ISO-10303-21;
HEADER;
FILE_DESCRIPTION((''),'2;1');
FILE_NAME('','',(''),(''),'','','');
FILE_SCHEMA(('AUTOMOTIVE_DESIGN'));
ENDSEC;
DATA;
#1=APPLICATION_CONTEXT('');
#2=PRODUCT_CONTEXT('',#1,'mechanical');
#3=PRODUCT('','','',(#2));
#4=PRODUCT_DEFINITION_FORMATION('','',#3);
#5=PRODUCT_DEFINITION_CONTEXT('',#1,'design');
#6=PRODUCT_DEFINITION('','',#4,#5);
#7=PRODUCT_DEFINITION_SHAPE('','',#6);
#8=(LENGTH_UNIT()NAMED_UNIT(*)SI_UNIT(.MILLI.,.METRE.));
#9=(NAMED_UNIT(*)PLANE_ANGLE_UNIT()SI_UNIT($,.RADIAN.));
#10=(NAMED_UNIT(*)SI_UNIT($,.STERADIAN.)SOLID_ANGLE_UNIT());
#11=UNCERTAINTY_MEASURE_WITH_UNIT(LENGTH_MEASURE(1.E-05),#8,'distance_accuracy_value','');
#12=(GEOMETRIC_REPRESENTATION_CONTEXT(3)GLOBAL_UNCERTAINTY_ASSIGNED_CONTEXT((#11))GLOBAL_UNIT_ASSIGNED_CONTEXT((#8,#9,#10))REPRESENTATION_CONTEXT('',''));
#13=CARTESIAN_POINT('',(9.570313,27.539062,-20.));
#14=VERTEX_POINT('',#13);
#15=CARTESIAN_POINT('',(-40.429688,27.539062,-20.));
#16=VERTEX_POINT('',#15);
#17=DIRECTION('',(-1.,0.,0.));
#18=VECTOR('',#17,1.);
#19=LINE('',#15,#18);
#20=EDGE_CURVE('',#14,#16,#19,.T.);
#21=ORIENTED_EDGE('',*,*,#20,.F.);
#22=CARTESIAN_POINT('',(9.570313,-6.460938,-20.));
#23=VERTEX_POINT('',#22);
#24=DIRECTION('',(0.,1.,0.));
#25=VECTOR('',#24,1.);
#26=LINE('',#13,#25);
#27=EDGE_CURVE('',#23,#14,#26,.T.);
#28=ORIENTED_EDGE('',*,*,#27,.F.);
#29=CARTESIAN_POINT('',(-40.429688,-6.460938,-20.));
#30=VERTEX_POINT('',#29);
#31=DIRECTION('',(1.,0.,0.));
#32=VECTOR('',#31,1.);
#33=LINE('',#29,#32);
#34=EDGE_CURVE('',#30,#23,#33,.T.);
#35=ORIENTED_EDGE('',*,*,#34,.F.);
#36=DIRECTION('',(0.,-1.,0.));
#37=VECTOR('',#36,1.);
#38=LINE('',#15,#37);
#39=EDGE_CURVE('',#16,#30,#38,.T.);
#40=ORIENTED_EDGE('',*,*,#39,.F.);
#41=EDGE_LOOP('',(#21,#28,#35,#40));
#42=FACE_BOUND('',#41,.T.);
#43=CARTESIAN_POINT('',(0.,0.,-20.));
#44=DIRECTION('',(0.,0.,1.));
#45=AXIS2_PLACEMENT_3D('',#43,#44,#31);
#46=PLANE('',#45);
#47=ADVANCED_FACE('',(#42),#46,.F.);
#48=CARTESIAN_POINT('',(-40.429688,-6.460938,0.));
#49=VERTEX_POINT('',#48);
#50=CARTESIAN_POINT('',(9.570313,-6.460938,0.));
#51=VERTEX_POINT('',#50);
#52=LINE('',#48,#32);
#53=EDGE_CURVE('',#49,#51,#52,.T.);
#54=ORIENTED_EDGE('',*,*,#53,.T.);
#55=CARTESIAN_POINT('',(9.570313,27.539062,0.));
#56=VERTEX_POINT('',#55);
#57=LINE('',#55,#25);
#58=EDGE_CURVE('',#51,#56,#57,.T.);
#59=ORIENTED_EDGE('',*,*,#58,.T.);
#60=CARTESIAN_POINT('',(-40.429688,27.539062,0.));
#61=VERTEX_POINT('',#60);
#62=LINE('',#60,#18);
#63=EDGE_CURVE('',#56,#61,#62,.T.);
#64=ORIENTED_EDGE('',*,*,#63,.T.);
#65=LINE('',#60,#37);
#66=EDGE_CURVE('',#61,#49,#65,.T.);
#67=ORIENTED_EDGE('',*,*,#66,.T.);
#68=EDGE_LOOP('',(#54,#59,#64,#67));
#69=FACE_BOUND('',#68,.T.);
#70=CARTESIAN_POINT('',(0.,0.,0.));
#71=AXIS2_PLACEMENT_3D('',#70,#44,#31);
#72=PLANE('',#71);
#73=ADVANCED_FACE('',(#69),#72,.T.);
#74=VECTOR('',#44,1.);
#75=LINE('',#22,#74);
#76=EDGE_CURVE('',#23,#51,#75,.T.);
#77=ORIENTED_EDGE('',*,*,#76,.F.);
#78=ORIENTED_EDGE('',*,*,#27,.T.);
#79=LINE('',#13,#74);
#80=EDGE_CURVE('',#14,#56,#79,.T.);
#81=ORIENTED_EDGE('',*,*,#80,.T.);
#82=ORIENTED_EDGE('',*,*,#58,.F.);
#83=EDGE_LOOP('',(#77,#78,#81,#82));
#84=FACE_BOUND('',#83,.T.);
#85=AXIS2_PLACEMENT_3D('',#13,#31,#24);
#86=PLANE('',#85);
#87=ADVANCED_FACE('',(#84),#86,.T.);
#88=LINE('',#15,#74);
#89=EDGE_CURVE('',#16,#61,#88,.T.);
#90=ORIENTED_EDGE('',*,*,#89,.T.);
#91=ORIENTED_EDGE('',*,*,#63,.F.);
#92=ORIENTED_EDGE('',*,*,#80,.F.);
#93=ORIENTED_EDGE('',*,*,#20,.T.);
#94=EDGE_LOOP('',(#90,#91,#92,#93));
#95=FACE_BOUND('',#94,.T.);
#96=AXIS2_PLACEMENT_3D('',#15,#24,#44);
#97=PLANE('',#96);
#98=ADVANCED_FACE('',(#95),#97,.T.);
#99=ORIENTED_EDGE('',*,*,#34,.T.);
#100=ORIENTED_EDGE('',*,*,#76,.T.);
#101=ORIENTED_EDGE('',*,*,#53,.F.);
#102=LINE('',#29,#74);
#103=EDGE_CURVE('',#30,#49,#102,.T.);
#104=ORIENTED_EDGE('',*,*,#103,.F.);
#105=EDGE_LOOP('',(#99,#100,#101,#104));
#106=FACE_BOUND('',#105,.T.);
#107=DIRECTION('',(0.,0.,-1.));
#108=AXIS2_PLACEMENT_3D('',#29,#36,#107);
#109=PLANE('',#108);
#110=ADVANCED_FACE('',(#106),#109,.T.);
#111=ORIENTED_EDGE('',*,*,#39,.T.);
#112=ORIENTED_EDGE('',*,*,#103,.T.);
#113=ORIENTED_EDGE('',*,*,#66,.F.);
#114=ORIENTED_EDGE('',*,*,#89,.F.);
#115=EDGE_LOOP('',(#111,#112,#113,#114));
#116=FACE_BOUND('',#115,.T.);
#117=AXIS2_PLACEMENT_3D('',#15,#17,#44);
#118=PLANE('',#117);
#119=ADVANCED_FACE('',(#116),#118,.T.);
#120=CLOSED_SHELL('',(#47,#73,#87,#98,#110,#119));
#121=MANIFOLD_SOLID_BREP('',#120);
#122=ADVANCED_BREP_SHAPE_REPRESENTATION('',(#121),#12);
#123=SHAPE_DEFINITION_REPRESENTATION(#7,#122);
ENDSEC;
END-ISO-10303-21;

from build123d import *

# Parameters (mm, degrees)
SKETCH_1_W      = 50
SKETCH_1_H      = 34
EXTRUDE_1_DEPTH = 20


with BuildPart() as part:
    # 草图1 → 凸台-拉伸1 (new body)
    with BuildSketch(Plane.XY):
        with Locations((-15.4296875, 10.5390625)):
            Rectangle(SKETCH_1_W, SKETCH_1_H)
    extrude(amount=-EXTRUDE_1_DEPTH)


solid = part.part
